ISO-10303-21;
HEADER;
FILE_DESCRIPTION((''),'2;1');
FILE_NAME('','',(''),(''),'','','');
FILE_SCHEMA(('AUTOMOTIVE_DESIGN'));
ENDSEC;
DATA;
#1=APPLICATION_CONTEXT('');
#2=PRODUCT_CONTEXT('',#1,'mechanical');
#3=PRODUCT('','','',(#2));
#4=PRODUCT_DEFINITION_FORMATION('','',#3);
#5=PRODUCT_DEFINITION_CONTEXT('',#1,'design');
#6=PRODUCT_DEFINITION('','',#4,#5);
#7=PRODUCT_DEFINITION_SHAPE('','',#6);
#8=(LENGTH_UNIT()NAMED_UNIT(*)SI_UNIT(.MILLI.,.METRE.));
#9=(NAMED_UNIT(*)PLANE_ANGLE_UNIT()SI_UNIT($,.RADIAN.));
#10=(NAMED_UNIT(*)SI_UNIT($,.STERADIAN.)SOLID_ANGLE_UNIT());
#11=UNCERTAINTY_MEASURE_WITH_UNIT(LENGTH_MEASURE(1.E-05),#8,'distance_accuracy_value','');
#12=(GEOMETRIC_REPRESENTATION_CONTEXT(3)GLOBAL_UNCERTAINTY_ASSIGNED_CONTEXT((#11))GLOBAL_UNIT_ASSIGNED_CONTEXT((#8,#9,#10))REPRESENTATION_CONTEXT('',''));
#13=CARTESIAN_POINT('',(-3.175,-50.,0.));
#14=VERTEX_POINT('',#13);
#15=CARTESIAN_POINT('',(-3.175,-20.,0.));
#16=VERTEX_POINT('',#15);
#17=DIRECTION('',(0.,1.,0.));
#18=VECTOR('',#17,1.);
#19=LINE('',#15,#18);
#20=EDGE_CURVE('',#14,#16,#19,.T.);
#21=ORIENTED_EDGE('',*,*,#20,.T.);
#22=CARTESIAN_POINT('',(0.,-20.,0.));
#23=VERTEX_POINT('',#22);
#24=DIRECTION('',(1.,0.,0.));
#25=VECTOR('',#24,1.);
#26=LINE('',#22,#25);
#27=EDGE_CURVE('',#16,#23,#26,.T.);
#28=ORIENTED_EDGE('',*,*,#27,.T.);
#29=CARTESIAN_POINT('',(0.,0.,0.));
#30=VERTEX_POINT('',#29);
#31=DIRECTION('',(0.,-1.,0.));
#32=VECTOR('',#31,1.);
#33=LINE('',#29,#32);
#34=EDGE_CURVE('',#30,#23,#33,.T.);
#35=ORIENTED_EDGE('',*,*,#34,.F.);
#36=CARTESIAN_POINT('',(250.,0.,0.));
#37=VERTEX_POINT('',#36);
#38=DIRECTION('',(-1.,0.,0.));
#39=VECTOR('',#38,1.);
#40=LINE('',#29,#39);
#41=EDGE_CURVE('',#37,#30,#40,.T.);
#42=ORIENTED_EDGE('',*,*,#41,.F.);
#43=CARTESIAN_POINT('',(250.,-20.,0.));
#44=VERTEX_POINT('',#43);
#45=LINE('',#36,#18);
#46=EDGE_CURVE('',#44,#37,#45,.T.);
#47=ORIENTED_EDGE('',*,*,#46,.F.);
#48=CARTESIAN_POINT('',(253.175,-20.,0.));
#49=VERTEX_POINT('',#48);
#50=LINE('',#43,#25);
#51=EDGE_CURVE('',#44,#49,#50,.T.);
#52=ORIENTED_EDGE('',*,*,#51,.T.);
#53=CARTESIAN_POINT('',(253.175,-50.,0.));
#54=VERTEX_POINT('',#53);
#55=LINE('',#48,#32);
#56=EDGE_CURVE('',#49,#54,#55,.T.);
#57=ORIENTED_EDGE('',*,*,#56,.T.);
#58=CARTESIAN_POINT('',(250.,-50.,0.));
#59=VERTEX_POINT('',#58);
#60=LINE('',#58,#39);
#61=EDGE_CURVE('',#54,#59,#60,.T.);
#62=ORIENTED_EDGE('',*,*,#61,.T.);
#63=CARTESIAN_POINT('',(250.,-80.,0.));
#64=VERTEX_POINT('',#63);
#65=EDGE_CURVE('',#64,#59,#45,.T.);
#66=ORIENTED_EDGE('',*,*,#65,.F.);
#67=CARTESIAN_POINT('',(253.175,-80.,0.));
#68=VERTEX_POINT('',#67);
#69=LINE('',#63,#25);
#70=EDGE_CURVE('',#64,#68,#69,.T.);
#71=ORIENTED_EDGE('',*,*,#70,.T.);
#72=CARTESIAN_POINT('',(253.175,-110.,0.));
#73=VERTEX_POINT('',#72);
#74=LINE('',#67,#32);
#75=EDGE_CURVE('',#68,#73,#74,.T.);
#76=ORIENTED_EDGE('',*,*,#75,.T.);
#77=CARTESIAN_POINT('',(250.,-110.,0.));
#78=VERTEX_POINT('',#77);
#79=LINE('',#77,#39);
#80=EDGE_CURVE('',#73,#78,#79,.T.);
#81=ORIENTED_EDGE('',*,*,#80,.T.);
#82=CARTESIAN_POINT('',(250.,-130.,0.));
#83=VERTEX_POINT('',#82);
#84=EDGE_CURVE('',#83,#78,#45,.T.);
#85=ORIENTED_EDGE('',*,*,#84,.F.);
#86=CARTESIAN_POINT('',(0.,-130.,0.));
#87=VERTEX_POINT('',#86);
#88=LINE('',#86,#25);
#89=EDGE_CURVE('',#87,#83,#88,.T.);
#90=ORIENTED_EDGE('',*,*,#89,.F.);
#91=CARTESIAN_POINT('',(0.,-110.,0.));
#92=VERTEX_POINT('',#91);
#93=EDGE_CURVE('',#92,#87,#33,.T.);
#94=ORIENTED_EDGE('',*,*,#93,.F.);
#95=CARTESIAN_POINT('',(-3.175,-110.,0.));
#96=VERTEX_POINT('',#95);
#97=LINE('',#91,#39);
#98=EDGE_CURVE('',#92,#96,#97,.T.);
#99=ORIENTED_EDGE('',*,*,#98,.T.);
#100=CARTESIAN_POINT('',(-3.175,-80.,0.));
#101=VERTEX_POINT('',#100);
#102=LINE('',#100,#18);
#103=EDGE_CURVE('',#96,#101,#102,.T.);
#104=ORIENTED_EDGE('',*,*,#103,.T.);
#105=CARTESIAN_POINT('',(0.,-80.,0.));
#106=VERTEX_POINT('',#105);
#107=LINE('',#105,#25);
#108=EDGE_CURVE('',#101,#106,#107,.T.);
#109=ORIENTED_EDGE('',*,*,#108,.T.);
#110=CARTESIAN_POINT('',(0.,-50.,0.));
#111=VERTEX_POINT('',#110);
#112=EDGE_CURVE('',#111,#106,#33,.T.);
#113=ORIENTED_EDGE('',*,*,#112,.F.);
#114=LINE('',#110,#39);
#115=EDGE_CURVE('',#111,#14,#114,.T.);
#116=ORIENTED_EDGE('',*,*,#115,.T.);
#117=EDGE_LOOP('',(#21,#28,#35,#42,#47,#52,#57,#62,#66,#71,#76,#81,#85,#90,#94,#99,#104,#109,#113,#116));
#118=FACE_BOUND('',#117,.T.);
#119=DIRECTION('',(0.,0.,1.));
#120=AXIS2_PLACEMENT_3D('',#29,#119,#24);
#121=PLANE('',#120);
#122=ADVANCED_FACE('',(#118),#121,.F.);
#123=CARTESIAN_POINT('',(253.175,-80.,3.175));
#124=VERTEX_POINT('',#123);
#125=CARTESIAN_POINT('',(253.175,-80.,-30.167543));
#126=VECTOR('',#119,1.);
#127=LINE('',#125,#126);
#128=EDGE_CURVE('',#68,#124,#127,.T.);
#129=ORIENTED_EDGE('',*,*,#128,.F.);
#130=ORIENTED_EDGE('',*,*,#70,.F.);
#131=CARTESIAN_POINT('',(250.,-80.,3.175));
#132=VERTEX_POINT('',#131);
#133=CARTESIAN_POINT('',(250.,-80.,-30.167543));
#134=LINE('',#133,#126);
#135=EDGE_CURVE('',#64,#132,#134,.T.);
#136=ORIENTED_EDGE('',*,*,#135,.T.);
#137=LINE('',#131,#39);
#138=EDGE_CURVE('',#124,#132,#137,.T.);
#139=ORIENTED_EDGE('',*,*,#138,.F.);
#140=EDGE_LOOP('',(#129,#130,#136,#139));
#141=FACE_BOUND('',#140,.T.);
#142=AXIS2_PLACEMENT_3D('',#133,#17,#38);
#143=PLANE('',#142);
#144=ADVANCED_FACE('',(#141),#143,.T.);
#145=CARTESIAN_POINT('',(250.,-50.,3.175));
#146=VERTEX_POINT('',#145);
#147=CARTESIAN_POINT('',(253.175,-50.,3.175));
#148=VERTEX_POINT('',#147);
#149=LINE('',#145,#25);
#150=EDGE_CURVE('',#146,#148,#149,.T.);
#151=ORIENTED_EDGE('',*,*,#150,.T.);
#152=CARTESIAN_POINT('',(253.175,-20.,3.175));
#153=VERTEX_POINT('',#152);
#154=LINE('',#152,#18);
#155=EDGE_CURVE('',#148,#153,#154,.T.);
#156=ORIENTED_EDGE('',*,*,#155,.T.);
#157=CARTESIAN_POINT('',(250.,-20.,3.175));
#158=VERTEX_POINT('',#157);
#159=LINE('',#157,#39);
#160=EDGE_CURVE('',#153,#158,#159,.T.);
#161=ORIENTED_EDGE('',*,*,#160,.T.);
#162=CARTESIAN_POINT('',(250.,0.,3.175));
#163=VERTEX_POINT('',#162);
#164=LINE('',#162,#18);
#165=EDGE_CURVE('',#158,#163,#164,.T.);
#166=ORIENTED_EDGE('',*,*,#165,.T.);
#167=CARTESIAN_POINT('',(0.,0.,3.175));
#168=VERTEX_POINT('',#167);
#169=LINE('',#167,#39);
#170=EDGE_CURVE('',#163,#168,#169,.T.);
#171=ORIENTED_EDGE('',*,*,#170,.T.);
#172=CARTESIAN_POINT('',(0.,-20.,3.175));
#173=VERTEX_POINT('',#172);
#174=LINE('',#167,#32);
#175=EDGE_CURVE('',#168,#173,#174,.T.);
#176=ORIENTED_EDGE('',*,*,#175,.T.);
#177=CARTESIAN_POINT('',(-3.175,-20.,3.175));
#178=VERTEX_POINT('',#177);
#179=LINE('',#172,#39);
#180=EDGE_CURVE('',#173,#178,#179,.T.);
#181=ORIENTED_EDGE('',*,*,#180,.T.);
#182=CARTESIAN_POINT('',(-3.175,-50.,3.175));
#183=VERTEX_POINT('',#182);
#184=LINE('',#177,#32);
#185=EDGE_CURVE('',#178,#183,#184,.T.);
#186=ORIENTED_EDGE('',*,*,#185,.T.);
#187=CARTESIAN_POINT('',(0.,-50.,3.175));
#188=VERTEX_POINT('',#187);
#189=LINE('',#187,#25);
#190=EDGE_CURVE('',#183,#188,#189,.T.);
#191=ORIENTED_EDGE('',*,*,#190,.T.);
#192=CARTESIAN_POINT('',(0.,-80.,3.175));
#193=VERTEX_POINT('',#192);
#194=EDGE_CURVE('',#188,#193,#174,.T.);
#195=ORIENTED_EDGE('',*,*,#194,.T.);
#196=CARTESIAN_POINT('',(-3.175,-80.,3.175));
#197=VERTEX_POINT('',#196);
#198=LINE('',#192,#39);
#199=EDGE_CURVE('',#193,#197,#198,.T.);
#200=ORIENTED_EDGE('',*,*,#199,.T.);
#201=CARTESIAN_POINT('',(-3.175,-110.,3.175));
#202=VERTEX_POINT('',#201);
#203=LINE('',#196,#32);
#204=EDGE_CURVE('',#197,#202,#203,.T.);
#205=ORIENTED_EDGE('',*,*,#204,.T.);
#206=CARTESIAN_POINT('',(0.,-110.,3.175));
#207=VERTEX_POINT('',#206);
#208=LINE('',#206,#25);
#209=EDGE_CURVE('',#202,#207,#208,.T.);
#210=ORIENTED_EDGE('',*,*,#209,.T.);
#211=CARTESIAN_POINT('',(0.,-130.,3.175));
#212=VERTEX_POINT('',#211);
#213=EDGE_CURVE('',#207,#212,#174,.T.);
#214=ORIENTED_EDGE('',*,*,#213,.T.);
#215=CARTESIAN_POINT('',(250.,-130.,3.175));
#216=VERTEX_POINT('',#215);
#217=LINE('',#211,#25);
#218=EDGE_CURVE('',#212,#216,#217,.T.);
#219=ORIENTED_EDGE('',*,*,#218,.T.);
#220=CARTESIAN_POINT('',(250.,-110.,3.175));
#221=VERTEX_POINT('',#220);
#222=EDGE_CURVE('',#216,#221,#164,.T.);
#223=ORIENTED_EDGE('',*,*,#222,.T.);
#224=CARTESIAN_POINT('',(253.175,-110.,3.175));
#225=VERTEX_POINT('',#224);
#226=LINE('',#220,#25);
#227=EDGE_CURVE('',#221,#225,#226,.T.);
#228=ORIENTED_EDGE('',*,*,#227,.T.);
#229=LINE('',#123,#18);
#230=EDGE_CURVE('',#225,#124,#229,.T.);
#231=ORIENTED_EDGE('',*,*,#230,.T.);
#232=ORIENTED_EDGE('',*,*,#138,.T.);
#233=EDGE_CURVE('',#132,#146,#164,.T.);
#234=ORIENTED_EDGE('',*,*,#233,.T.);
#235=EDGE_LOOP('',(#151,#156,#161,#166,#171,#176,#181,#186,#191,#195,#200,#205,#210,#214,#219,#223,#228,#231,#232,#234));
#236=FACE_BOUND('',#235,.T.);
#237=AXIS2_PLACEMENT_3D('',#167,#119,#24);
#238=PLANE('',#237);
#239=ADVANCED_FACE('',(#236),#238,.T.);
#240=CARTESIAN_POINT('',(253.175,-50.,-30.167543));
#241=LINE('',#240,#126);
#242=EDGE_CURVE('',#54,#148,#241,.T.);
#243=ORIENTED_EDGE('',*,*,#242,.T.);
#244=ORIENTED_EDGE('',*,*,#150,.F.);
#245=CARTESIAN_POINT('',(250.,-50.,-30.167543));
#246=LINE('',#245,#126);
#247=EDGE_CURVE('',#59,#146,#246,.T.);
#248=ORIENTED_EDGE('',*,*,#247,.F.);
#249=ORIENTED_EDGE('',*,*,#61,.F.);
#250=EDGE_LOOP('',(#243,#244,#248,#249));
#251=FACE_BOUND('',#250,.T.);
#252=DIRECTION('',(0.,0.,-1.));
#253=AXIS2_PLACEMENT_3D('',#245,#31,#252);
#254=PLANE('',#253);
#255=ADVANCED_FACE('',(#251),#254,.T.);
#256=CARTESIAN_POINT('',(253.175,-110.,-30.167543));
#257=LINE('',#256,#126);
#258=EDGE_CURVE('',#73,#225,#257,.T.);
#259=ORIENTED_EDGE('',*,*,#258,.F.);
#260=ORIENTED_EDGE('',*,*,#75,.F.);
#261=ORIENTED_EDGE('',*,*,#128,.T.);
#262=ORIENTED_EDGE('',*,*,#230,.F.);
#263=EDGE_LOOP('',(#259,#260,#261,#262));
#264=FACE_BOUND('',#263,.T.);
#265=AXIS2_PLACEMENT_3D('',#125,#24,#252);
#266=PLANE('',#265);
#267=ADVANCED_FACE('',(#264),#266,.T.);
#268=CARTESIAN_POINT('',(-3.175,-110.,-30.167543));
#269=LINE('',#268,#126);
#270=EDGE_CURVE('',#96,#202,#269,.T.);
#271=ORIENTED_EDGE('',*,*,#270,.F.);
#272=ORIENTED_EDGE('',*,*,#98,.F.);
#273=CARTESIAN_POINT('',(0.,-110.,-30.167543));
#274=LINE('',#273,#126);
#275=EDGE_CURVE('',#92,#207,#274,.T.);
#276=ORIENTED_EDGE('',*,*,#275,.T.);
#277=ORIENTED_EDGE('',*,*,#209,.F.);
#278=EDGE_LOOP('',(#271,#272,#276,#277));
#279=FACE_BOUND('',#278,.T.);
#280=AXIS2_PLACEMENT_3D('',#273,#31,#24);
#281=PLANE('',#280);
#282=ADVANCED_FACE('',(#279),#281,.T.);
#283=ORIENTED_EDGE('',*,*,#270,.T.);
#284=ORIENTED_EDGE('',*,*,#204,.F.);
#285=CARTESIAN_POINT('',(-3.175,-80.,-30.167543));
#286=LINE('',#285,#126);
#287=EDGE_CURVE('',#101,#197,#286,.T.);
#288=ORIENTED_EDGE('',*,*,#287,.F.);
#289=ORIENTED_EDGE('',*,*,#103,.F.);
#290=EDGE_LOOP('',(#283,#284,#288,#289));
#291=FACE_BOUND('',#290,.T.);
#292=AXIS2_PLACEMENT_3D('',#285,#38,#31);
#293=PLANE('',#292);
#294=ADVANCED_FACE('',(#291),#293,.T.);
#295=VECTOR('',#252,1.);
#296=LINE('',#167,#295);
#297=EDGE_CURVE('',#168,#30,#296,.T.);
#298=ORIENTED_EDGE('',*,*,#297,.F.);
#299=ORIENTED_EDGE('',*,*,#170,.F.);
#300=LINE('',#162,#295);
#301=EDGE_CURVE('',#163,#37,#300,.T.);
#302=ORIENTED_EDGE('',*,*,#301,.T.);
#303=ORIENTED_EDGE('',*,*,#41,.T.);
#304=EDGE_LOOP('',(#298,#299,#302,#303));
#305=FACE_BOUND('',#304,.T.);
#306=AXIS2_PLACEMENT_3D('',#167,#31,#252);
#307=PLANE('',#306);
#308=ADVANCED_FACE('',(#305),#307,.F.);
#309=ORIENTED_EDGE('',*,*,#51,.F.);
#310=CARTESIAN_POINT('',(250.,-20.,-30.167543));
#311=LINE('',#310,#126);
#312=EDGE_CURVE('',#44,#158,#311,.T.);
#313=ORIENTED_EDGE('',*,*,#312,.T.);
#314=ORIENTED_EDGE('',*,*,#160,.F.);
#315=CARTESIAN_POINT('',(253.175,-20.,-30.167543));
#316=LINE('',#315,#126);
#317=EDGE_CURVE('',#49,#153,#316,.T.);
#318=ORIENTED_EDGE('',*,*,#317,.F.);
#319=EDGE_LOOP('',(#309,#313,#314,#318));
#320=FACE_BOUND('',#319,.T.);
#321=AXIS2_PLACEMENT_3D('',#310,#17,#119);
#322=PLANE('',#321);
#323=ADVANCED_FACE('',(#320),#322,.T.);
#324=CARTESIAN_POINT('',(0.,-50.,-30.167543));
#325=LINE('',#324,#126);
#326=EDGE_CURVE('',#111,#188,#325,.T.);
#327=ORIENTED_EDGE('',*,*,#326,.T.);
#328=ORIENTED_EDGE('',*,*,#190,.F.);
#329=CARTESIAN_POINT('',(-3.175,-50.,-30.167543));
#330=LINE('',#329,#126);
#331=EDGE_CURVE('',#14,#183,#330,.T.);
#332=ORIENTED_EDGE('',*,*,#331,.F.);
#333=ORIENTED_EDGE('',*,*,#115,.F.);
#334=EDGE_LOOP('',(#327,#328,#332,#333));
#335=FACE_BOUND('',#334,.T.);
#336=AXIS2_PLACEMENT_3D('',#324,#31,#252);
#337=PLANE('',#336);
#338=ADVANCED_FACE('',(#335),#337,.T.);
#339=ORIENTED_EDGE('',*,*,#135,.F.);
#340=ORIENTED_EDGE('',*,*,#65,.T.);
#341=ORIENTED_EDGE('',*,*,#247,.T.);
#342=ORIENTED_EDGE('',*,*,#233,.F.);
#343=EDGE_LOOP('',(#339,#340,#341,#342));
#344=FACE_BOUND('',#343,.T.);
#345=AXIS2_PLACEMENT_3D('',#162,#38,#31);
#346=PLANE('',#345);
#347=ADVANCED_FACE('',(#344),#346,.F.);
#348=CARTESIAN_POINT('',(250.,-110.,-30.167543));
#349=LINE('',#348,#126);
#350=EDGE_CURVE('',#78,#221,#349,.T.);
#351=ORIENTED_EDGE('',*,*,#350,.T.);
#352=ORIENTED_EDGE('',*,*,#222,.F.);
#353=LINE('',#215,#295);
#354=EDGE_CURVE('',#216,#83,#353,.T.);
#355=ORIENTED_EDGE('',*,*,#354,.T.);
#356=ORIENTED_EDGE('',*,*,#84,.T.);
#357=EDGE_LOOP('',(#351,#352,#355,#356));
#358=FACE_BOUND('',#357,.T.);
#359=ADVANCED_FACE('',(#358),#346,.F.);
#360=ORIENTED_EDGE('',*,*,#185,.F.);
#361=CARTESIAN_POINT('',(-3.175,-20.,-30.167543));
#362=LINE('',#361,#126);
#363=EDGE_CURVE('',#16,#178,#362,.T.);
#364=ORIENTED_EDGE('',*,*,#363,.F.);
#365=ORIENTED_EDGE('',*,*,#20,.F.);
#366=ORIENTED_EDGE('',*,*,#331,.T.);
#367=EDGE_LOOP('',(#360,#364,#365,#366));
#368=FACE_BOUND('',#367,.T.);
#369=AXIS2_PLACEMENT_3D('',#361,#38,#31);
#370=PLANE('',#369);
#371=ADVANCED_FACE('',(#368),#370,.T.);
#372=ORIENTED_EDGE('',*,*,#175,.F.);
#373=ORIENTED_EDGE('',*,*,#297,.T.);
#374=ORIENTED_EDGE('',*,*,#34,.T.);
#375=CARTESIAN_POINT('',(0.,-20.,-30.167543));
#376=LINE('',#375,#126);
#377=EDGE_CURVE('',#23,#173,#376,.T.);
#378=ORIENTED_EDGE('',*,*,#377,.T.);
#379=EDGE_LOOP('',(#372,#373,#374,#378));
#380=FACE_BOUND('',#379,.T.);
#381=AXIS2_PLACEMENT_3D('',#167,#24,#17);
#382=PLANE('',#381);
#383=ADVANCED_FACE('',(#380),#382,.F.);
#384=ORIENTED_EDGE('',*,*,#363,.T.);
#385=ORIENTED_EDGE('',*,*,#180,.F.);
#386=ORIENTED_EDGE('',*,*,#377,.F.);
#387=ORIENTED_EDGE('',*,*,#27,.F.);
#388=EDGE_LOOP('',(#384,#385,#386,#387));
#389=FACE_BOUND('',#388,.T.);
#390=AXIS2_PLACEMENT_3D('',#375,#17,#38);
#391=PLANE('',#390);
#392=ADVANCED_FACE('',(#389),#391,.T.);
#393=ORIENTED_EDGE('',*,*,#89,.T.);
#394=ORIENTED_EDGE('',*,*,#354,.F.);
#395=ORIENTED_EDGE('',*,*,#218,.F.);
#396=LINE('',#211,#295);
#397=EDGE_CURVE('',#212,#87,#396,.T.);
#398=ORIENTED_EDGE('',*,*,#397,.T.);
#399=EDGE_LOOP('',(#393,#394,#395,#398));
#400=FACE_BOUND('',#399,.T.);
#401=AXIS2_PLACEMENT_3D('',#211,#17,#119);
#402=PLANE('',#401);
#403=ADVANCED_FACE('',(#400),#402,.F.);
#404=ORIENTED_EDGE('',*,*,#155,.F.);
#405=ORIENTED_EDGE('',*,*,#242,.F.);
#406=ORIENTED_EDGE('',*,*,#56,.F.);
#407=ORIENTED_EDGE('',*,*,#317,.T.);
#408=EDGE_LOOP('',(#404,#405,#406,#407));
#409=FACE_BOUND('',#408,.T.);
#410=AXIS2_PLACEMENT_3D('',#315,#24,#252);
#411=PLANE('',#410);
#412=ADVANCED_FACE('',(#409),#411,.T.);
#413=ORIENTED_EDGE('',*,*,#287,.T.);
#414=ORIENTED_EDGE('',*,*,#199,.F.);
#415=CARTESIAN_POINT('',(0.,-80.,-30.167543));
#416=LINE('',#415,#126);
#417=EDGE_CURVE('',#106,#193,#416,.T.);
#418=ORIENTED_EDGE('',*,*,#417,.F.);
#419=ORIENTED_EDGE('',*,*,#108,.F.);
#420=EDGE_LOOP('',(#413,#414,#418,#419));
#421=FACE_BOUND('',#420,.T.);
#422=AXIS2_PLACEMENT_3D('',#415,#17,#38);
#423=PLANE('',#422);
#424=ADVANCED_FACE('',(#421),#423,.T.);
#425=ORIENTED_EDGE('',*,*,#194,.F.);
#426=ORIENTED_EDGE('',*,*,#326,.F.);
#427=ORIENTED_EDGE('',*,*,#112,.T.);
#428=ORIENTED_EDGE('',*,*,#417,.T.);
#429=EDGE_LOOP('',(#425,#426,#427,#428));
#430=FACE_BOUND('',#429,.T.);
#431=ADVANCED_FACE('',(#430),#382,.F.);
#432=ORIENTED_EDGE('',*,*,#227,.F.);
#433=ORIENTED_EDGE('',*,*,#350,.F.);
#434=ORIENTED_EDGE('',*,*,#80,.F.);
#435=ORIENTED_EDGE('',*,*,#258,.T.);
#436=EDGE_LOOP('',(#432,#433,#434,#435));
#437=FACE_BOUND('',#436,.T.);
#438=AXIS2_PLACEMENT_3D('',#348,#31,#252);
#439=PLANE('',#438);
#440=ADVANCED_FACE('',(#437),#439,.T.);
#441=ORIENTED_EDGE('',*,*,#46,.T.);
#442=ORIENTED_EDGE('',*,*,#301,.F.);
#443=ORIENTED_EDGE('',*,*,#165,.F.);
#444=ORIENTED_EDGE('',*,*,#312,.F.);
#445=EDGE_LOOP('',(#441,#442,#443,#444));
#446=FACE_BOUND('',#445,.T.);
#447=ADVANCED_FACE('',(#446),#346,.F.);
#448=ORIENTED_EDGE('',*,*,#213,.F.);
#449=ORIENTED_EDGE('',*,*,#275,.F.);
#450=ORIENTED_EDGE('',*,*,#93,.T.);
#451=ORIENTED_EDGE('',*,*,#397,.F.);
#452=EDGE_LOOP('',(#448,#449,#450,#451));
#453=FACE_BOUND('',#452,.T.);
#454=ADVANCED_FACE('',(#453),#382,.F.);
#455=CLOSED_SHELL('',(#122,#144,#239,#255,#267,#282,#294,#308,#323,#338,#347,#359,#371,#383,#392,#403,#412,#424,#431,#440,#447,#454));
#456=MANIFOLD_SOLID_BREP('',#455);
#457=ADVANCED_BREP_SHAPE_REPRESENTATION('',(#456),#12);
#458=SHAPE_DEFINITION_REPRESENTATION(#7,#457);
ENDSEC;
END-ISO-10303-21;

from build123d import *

# Parameters (mm, degrees)
SKETCH1_W           = 250
SKETCH1_H           = 130
BOSS_EXTRUDE1_DEPTH = 3.175
SKETCH2_W           = 3.175
SKETCH2_H           = 30
BOSS_EXTRUDE2_DEPTH = 3.175


with BuildPart() as part:
    # Sketch1 → Boss-Extrude1 (new body)
    with BuildSketch(Plane.XY):
        with Locations((125, -65)):
            Rectangle(SKETCH1_W, SKETCH1_H)
    extrude(amount=BOSS_EXTRUDE1_DEPTH)

    # Sketch2 → Boss-Extrude2 (add)
    with BuildSketch(Plane.XY.offset(3.175)):
        with Locations((-1.5875, -35)):
            Rectangle(SKETCH2_W, SKETCH2_H)
        with Locations((251.5875, -35)):
            Rectangle(SKETCH2_W, SKETCH2_H)
        with Locations((-1.5875, -95)):
            Rectangle(SKETCH2_W, SKETCH2_H)
        with Locations((251.5875, -95)):
            Rectangle(SKETCH2_W, SKETCH2_H)
    extrude(amount=-BOSS_EXTRUDE2_DEPTH)


solid = part.part
